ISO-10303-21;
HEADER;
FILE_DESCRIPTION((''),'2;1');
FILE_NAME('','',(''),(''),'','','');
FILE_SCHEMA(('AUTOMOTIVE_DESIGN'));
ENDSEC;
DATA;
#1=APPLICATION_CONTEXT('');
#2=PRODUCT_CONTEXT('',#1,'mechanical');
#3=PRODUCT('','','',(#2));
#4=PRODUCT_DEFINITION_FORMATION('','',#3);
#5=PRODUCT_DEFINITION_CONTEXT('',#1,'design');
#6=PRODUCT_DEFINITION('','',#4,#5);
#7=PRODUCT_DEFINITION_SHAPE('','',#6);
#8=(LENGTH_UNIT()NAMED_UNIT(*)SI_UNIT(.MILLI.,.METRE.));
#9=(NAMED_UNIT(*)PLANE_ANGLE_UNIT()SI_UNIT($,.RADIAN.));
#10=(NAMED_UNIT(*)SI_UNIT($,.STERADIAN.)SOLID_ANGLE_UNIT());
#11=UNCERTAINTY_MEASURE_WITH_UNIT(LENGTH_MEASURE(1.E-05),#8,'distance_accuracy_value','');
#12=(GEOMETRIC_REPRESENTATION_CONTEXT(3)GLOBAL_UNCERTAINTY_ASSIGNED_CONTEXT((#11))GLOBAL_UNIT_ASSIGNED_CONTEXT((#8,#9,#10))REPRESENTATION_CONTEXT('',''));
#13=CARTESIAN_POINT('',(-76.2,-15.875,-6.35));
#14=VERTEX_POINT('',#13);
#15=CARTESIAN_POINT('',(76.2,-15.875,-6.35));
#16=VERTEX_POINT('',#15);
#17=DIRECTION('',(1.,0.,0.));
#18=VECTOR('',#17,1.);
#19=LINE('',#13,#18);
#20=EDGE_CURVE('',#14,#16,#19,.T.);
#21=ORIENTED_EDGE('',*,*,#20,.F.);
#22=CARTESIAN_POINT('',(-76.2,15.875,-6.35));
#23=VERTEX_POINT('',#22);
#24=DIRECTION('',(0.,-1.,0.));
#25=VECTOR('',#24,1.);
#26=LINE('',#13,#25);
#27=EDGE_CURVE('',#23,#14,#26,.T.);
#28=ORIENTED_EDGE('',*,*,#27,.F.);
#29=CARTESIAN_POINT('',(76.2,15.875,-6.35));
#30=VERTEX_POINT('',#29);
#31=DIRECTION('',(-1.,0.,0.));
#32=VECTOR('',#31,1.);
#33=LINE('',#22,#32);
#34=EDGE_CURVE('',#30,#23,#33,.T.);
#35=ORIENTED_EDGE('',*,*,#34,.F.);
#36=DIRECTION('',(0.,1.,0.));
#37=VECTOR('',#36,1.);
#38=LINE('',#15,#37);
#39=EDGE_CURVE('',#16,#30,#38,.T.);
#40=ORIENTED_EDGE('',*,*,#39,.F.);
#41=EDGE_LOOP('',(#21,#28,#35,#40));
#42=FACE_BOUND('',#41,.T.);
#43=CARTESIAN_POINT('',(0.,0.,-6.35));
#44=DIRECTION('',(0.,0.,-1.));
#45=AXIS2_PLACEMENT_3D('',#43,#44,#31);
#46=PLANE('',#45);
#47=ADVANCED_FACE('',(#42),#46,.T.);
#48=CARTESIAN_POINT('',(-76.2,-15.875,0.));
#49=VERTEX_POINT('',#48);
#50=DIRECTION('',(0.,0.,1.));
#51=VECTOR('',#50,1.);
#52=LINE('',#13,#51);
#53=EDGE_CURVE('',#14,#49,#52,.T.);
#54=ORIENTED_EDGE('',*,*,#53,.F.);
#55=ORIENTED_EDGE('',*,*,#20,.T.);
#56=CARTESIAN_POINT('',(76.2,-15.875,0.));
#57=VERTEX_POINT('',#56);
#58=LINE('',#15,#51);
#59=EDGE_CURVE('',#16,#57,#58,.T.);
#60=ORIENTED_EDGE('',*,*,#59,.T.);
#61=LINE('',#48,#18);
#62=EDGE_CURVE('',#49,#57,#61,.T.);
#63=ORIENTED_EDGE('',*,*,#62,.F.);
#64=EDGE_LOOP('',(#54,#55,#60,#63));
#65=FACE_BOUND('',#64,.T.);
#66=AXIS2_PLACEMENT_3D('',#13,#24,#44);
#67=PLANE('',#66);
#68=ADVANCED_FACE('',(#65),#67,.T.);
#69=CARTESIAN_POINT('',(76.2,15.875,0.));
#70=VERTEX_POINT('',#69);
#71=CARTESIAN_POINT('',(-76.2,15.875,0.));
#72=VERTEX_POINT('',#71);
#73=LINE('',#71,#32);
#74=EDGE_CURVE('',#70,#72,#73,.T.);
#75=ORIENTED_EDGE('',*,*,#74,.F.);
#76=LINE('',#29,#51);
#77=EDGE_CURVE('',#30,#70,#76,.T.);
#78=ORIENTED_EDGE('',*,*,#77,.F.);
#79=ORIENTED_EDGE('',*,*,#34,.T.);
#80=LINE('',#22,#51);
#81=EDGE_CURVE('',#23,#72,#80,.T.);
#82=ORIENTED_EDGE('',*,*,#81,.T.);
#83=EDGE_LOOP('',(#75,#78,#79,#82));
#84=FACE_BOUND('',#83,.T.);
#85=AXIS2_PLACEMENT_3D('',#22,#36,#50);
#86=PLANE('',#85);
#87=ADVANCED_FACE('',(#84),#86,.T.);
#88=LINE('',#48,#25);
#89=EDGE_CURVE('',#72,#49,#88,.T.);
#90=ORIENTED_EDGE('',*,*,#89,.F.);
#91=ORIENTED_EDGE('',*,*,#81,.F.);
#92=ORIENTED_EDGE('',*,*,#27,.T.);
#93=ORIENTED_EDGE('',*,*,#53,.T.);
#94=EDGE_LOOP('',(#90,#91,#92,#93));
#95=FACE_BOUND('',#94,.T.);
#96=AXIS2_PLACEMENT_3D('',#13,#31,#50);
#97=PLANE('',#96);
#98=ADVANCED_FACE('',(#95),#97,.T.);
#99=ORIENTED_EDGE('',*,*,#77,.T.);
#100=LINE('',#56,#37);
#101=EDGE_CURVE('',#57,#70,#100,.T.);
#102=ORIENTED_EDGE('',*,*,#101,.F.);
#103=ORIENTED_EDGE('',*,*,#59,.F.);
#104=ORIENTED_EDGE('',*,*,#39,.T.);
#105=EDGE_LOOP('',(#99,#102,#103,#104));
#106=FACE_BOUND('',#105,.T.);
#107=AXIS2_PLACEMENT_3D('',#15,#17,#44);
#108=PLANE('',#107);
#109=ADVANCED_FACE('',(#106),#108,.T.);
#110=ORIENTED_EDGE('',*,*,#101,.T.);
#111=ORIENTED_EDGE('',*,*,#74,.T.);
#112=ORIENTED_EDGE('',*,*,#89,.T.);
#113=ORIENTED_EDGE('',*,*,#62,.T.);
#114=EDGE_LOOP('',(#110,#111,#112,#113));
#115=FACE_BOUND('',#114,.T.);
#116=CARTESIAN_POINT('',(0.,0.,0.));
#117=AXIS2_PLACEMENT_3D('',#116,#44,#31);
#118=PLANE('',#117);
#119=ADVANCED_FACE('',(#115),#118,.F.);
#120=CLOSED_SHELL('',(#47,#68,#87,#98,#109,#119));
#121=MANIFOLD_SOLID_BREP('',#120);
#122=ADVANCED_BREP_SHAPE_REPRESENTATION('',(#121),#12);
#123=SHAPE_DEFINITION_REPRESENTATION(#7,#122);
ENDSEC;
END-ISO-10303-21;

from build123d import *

# Parameters (mm, degrees)
SKETCH1_W           = 152.4
SKETCH1_H           = 31.75
BOSS_EXTRUDE1_DEPTH = 6.35


with BuildPart() as part:
    # Sketch1 → Boss-Extrude1 (new body)
    with BuildSketch(Plane.XY):
        Rectangle(SKETCH1_W, SKETCH1_H)
    extrude(amount=-BOSS_EXTRUDE1_DEPTH)


solid = part.part
